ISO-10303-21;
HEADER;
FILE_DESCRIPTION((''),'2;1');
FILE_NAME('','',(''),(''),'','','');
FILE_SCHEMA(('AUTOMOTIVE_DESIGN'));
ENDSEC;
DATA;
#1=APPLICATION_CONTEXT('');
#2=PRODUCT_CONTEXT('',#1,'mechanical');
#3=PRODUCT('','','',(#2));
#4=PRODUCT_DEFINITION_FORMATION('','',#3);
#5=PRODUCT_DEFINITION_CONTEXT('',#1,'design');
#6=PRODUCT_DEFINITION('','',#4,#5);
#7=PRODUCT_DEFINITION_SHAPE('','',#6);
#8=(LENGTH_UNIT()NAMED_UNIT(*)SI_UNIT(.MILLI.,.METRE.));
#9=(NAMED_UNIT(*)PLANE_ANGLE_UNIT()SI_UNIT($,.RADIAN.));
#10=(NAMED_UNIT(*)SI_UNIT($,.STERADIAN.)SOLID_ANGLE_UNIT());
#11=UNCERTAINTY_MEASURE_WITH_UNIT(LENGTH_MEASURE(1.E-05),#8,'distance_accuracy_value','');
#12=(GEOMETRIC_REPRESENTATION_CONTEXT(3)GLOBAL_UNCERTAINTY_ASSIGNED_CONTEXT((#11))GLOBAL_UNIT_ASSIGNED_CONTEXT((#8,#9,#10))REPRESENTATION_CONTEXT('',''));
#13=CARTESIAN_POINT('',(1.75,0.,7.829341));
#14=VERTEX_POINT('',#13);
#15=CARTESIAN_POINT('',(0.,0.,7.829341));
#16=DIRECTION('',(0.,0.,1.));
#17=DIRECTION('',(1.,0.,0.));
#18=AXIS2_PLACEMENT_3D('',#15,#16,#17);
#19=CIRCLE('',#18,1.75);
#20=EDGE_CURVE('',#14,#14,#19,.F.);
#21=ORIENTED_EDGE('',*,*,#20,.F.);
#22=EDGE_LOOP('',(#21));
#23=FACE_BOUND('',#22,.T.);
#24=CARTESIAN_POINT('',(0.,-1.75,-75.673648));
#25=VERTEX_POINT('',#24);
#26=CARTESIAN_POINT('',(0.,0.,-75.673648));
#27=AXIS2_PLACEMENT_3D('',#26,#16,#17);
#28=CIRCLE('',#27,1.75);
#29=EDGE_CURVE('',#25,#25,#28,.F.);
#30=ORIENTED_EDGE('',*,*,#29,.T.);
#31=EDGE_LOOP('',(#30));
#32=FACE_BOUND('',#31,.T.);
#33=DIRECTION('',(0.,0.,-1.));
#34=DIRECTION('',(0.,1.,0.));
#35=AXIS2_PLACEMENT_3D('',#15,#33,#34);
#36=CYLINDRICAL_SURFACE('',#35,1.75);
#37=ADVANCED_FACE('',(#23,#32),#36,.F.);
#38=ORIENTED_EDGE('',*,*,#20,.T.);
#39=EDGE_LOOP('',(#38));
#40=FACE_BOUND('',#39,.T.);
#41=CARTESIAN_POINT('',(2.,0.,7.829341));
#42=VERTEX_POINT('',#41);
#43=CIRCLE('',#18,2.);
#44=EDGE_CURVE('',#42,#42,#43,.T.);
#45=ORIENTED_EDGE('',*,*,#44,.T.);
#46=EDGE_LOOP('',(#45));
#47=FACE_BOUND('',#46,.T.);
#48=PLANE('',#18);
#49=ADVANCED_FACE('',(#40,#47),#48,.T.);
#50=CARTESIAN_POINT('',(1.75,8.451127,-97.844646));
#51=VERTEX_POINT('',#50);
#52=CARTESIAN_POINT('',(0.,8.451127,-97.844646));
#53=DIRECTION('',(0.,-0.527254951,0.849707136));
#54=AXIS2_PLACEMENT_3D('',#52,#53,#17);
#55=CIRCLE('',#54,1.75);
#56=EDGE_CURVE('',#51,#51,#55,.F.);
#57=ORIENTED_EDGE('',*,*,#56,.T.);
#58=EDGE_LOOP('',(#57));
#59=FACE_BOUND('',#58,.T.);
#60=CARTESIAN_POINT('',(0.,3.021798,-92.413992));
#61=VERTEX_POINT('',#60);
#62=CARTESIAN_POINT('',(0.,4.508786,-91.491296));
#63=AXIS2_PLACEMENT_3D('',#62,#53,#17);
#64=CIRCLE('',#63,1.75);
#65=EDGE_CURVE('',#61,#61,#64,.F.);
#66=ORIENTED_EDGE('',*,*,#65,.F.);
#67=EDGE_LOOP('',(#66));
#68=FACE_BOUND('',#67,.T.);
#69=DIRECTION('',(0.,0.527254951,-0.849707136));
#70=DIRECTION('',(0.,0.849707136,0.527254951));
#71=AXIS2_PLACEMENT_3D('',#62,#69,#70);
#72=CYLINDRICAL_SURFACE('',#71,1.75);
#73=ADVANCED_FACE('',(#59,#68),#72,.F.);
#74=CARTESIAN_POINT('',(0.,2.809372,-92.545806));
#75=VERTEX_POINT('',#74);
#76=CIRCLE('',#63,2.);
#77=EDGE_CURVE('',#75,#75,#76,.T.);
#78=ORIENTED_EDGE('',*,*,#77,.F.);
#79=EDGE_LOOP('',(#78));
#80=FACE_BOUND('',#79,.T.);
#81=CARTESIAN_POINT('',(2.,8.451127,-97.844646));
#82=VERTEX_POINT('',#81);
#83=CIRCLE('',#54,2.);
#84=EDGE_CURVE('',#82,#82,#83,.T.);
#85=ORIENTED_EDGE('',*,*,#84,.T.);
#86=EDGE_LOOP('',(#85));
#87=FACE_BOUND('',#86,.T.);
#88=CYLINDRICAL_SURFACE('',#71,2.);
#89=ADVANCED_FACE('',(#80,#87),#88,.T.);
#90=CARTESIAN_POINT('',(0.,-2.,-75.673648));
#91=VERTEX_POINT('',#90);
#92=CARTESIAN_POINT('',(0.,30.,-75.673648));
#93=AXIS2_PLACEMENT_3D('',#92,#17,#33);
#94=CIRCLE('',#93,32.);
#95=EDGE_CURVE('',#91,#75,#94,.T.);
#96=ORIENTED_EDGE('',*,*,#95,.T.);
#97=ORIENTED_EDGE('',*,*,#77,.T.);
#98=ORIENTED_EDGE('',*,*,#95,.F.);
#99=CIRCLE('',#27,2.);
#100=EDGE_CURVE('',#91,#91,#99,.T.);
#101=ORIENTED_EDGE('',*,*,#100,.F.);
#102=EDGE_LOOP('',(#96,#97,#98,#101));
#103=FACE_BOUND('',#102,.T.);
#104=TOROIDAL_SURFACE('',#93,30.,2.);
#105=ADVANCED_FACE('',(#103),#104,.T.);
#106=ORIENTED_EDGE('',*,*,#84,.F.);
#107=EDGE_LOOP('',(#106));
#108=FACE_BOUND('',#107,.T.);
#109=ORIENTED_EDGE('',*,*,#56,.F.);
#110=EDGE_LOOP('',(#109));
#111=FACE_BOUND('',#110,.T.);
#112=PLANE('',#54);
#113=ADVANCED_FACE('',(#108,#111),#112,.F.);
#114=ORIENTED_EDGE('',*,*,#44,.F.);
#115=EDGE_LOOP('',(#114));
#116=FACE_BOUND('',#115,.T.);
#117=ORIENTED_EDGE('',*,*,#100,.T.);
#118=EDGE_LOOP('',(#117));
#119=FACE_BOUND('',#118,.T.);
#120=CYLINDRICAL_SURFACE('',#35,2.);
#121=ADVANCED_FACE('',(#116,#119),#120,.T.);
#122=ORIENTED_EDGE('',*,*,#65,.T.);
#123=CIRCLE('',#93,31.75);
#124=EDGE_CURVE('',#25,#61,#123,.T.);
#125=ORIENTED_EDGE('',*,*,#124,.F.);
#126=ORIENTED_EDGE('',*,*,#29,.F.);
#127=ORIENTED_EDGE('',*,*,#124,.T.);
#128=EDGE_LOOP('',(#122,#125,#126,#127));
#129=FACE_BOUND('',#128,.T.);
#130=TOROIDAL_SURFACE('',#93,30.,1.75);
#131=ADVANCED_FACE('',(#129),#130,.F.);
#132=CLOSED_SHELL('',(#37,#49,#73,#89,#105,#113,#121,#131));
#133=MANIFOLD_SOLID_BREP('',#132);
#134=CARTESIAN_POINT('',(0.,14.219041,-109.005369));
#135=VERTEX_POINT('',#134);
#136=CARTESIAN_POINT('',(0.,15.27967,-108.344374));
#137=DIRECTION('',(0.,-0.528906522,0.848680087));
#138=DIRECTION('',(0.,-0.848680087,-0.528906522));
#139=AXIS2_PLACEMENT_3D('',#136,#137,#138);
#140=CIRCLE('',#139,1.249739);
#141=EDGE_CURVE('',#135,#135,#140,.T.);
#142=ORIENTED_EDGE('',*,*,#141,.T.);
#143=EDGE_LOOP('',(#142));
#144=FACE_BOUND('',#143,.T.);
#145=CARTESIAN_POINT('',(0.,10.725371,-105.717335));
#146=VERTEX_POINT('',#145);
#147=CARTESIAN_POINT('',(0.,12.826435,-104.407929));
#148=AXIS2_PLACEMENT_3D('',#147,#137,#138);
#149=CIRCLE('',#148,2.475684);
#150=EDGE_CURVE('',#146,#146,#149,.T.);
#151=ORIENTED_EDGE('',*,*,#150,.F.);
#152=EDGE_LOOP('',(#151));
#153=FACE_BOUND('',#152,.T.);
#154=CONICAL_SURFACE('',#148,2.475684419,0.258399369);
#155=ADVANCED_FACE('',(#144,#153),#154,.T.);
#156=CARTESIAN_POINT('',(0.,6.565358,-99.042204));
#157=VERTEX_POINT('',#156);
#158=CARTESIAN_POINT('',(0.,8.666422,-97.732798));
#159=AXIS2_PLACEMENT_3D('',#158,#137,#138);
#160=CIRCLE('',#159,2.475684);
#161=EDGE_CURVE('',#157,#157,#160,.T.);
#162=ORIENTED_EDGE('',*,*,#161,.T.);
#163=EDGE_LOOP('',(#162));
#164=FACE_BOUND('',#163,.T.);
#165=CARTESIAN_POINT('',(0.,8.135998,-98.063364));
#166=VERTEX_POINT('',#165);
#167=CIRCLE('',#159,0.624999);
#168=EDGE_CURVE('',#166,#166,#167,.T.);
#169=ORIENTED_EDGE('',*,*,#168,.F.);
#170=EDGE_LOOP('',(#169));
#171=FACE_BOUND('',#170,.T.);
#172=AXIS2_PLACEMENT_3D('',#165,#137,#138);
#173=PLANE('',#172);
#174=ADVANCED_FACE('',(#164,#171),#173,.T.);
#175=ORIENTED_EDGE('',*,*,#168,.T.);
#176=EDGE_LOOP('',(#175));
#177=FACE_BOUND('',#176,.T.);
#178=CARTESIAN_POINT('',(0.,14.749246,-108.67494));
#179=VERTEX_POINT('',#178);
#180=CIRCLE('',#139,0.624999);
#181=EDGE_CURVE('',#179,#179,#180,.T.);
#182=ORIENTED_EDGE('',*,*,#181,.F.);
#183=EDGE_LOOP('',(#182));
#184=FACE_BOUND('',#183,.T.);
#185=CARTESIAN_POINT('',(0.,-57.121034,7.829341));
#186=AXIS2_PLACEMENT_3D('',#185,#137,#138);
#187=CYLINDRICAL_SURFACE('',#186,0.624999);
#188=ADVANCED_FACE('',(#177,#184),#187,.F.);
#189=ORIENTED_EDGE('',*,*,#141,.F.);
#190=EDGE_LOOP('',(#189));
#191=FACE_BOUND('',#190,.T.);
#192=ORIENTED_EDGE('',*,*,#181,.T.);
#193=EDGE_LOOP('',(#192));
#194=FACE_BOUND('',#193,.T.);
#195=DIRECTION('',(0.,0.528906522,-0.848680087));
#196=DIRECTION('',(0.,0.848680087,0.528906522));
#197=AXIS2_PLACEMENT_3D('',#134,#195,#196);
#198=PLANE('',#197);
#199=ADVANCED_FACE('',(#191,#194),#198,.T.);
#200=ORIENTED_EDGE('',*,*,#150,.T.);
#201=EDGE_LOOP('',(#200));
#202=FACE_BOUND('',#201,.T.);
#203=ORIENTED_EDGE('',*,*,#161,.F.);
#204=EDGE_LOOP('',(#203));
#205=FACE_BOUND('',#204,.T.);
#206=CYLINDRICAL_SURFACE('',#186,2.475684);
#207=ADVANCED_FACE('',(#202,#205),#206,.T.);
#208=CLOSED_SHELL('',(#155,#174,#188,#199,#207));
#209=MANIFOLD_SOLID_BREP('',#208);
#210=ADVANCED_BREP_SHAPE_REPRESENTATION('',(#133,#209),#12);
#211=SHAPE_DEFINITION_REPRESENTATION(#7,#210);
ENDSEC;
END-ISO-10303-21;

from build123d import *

# Parameters (mm, degrees)
SKETCH2_R   = 2
SKETCH2_R_2 = 1.75


with BuildPart() as part:
    # Sweep1: sweep along a path in Sketch1
    with BuildLine(Plane(origin=(0, 0, 0), x_dir=(0, 0, -1), z_dir=(1, 0, 0))) as sweep1_path:
        Line((-7.82934114, 0), (75.673647507, 0))
        ThreePointArc((75.673647507, 0), (83.897502379, 1.149207792), (91.491296044, 4.508785931))
        Line((91.491296044, 4.508785931), (97.844646472, 8.451127156))
    # Sketch2 → Sweep1 (sweep)
    with BuildSketch(Plane.XY):
        Circle(SKETCH2_R)
        Circle(SKETCH2_R_2, mode=Mode.SUBTRACT)
    sweep(path=sweep1_path.line)


with BuildPart() as body_2:
    # Sketch3 → Revolve1 (revolve)
    with BuildSketch(Plane(origin=(0, 0, 0), x_dir=(0, 0, -1), z_dir=(1, 0, 0))):
        Polygon((98.063364296, 8.135998244), (99.042203981, 6.565358226), (105.717334971, 10.725371372), (109.005369397, 14.219041289), (108.674940143, 14.749245996), align=None)
    revolve(axis=Axis((0, -57.121033946, 7.82934114), (0, 0.528906522, -0.848680087)))


solid = Compound([part.part, body_2.part])
